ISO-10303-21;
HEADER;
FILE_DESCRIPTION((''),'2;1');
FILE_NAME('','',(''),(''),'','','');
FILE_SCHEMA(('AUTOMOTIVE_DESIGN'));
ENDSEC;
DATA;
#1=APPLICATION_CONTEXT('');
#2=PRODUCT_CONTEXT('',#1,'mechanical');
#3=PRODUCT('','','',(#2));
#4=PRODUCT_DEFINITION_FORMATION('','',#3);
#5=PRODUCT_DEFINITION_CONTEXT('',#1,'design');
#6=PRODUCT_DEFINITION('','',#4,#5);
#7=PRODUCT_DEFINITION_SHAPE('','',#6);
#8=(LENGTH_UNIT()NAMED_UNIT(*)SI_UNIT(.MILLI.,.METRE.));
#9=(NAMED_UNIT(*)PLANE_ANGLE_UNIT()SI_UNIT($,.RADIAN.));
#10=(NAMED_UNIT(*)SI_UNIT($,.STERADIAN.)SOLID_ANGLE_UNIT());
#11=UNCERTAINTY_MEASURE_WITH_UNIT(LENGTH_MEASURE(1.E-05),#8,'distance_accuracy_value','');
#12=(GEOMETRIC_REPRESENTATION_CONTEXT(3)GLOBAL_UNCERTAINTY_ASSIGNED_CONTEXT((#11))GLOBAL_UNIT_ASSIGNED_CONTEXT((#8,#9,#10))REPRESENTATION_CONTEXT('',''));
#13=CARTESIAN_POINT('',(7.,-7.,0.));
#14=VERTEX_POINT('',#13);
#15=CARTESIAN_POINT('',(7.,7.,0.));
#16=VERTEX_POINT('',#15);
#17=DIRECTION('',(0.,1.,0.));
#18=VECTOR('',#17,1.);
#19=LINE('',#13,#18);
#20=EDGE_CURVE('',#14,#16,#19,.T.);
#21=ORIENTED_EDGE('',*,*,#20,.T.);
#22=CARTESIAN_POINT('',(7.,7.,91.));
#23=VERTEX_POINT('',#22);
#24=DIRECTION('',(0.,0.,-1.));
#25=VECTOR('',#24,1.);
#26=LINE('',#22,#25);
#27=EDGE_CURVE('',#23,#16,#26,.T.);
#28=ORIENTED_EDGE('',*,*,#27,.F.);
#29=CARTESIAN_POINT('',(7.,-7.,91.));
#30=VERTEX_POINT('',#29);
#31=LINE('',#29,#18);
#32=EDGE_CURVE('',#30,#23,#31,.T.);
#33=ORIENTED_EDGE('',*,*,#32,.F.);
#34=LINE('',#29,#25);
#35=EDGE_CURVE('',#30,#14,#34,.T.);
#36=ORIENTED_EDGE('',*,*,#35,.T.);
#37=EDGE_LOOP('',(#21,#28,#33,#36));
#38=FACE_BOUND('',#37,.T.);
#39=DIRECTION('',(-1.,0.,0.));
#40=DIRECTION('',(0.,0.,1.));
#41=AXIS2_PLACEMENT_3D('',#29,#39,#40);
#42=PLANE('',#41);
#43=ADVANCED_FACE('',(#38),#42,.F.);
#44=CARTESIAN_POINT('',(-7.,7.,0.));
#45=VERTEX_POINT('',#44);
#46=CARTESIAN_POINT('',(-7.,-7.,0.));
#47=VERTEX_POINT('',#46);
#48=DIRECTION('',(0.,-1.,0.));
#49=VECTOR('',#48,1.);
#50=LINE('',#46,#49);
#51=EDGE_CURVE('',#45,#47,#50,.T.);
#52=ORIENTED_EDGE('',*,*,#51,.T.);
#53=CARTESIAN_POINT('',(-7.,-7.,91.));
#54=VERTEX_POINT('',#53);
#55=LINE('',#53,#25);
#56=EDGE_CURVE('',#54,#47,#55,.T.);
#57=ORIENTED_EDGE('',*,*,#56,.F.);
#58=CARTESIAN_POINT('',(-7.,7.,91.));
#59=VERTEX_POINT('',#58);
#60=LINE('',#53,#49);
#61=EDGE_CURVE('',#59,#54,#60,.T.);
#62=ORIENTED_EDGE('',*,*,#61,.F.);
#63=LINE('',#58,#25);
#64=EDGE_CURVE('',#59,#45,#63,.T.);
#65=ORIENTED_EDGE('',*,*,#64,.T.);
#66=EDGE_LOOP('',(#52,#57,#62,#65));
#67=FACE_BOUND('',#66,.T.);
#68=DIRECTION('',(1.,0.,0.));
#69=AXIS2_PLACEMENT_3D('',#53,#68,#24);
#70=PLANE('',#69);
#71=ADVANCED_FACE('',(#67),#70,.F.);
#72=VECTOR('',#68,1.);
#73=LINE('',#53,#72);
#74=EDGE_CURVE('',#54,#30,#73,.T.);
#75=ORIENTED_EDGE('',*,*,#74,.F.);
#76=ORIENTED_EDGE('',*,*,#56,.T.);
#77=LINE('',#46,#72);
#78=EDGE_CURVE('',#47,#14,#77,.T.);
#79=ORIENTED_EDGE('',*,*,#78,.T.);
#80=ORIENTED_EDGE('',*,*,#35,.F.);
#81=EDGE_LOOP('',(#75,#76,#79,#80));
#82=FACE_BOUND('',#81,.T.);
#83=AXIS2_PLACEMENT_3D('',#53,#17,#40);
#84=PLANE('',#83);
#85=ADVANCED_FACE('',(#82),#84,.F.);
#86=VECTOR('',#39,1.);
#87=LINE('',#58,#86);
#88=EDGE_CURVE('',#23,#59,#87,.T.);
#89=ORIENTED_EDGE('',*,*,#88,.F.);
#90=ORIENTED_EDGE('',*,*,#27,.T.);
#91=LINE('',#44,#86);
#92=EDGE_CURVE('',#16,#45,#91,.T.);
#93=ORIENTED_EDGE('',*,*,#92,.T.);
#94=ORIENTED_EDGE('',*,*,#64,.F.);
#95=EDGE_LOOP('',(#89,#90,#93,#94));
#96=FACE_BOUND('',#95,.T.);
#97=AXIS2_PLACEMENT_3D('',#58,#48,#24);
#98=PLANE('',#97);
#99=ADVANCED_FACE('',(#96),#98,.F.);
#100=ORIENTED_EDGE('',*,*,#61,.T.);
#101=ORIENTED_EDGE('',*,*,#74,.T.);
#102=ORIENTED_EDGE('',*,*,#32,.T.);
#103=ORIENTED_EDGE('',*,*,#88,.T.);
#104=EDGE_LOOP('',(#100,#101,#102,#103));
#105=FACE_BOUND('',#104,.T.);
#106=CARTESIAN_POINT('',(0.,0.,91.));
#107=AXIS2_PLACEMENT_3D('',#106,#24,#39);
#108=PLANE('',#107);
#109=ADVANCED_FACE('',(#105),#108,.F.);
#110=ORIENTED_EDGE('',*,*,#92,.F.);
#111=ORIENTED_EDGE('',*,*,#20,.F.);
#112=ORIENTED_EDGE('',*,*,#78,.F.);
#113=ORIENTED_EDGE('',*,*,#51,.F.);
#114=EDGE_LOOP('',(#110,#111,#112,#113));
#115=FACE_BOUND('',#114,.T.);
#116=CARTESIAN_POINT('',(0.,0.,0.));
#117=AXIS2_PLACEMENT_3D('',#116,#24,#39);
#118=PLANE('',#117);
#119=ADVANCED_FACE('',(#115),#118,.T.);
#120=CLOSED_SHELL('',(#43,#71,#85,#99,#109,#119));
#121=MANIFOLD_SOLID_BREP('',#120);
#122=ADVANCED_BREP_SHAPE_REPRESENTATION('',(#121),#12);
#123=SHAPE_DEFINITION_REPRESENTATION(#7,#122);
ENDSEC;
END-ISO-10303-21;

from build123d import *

# Parameters (mm, degrees)
SKETCH1_W           = 14
SKETCH1_H           = 14
BOSS_EXTRUDE1_DEPTH = 91


with BuildPart() as part:
    # Sketch1 → Boss-Extrude1 (new body)
    with BuildSketch(Plane.XY):
        Rectangle(SKETCH1_W, SKETCH1_H)
    extrude(amount=BOSS_EXTRUDE1_DEPTH)


solid = part.part
